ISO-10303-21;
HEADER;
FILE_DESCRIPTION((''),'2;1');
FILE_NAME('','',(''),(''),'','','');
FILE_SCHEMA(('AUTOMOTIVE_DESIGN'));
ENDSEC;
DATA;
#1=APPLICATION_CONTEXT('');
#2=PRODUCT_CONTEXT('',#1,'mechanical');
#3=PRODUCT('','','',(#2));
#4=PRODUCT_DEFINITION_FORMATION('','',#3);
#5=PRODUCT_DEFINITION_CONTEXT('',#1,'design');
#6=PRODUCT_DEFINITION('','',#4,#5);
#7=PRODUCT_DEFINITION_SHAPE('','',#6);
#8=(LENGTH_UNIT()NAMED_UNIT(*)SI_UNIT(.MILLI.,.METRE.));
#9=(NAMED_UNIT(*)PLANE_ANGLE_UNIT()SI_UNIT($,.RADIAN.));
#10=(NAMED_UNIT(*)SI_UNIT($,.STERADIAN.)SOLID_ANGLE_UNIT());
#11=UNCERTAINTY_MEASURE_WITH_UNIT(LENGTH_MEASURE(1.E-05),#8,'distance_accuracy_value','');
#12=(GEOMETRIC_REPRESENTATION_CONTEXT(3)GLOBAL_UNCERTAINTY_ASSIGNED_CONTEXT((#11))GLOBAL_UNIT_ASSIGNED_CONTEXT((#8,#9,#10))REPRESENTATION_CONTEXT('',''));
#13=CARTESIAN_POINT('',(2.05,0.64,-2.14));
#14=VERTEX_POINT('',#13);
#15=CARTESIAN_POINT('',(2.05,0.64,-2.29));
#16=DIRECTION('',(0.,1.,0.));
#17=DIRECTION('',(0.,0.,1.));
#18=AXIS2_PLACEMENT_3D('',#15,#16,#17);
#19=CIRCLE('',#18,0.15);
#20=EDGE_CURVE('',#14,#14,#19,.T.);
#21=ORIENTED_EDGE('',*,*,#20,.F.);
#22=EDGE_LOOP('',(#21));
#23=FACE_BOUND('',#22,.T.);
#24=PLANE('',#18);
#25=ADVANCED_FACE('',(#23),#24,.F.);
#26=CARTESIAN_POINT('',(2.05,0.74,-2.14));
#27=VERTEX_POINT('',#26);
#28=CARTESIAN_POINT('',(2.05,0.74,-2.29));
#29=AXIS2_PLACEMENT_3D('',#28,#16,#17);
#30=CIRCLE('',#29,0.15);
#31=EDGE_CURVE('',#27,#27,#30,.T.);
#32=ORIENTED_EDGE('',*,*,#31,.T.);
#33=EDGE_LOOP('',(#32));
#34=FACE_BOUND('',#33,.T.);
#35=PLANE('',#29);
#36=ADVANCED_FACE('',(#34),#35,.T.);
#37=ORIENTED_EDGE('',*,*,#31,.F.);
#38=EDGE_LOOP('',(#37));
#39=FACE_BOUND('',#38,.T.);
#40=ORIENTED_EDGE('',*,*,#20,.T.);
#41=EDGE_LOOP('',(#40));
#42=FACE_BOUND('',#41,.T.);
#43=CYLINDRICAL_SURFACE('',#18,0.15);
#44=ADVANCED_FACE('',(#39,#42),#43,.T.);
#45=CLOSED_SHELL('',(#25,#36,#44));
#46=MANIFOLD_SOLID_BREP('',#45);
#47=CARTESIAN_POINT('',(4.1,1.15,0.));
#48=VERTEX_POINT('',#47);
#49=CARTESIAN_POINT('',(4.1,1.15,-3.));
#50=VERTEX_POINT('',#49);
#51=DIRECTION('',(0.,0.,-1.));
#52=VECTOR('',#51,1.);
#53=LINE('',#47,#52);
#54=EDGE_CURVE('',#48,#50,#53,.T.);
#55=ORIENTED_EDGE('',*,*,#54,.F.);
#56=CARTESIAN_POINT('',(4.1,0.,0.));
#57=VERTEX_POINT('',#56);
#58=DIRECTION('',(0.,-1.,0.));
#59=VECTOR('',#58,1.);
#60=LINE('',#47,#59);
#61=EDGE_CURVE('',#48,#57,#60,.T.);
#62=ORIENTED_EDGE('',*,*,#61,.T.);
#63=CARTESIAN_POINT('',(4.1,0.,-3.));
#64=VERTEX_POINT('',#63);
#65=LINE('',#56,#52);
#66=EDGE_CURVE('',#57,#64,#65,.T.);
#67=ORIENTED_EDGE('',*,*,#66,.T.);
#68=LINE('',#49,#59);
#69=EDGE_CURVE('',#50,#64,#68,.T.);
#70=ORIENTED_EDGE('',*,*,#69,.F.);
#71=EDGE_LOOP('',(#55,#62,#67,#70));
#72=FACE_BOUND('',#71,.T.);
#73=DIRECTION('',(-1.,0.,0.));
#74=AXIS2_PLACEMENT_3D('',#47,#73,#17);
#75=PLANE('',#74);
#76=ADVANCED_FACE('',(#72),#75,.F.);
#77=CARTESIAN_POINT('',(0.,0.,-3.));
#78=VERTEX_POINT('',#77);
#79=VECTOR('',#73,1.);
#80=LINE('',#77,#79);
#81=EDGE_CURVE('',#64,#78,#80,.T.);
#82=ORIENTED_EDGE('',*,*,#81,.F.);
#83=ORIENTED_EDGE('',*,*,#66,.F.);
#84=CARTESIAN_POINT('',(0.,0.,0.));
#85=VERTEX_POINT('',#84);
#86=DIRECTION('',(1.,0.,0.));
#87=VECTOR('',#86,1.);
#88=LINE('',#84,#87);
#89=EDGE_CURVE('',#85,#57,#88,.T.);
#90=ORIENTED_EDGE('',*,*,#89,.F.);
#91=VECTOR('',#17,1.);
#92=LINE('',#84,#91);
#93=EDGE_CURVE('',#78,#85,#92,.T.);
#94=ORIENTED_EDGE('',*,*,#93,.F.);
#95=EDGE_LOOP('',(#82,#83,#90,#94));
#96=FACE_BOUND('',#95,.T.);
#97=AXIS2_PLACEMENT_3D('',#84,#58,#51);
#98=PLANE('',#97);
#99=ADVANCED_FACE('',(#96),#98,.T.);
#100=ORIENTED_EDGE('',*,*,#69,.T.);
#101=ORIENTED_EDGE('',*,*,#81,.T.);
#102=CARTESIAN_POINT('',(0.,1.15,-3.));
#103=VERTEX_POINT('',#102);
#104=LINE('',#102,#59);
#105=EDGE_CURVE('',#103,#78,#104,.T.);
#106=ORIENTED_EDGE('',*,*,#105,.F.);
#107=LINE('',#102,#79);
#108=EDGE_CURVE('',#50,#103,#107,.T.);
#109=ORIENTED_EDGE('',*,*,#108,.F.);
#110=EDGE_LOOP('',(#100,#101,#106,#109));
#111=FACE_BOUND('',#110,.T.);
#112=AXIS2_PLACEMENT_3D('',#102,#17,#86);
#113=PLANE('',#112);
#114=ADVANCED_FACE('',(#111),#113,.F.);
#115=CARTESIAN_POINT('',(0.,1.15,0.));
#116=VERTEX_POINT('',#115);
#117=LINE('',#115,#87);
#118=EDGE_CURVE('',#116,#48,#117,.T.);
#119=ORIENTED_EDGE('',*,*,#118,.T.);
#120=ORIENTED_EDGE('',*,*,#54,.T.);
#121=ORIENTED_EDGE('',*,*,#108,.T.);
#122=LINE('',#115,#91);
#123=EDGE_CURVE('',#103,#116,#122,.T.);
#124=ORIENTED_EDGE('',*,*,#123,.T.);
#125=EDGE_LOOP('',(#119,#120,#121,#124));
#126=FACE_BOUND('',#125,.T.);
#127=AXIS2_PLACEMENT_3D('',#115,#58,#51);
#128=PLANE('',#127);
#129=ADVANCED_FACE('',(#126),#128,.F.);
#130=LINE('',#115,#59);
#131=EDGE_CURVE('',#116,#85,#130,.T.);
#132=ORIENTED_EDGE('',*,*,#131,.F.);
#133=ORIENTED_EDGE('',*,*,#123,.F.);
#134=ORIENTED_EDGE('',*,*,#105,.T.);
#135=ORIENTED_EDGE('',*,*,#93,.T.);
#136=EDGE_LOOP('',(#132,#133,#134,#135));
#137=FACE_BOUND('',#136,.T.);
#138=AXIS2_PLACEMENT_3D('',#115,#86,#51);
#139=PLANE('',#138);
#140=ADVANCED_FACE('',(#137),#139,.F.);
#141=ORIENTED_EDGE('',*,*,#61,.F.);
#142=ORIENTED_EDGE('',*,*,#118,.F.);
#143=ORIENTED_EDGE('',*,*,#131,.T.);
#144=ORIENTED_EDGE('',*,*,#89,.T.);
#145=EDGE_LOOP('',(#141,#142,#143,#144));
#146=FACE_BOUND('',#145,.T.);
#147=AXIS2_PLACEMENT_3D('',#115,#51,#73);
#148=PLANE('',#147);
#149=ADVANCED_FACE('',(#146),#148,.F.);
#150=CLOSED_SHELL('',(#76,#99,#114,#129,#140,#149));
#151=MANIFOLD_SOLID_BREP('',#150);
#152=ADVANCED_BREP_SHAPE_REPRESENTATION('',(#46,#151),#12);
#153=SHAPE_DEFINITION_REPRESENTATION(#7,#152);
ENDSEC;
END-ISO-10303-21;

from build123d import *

# Parameters (mm, degrees)
SKETCH1_W           = 4.1
SKETCH1_H           = 3
BOSS_EXTRUDE1_DEPTH = 1.15
SKETCH2_R           = 0.15
BOSS_EXTRUDE2_DEPTH = 0.1


with BuildPart() as part:
    # Sketch1 → Boss-Extrude1 (new body)
    with BuildSketch(Plane(origin=(0, 0, 0), x_dir=(1, 0, 0), z_dir=(0, 1, 0))):
        with Locations((2.05, 1.5)):
            Rectangle(SKETCH1_W, SKETCH1_H)
    extrude(amount=BOSS_EXTRUDE1_DEPTH)


with BuildPart() as body_2:
    # Sketch2 → Boss-Extrude2 (new body)
    with BuildSketch(Plane(origin=(0, 0.74, 0), x_dir=(1, 0, 0), z_dir=(0, 1, 0))):
        with Locations(Location((2.05, 2.29, 0), (0, 0, 270))):
            Circle(SKETCH2_R)
    extrude(amount=-BOSS_EXTRUDE2_DEPTH)


solid = Compound([part.part, body_2.part])
